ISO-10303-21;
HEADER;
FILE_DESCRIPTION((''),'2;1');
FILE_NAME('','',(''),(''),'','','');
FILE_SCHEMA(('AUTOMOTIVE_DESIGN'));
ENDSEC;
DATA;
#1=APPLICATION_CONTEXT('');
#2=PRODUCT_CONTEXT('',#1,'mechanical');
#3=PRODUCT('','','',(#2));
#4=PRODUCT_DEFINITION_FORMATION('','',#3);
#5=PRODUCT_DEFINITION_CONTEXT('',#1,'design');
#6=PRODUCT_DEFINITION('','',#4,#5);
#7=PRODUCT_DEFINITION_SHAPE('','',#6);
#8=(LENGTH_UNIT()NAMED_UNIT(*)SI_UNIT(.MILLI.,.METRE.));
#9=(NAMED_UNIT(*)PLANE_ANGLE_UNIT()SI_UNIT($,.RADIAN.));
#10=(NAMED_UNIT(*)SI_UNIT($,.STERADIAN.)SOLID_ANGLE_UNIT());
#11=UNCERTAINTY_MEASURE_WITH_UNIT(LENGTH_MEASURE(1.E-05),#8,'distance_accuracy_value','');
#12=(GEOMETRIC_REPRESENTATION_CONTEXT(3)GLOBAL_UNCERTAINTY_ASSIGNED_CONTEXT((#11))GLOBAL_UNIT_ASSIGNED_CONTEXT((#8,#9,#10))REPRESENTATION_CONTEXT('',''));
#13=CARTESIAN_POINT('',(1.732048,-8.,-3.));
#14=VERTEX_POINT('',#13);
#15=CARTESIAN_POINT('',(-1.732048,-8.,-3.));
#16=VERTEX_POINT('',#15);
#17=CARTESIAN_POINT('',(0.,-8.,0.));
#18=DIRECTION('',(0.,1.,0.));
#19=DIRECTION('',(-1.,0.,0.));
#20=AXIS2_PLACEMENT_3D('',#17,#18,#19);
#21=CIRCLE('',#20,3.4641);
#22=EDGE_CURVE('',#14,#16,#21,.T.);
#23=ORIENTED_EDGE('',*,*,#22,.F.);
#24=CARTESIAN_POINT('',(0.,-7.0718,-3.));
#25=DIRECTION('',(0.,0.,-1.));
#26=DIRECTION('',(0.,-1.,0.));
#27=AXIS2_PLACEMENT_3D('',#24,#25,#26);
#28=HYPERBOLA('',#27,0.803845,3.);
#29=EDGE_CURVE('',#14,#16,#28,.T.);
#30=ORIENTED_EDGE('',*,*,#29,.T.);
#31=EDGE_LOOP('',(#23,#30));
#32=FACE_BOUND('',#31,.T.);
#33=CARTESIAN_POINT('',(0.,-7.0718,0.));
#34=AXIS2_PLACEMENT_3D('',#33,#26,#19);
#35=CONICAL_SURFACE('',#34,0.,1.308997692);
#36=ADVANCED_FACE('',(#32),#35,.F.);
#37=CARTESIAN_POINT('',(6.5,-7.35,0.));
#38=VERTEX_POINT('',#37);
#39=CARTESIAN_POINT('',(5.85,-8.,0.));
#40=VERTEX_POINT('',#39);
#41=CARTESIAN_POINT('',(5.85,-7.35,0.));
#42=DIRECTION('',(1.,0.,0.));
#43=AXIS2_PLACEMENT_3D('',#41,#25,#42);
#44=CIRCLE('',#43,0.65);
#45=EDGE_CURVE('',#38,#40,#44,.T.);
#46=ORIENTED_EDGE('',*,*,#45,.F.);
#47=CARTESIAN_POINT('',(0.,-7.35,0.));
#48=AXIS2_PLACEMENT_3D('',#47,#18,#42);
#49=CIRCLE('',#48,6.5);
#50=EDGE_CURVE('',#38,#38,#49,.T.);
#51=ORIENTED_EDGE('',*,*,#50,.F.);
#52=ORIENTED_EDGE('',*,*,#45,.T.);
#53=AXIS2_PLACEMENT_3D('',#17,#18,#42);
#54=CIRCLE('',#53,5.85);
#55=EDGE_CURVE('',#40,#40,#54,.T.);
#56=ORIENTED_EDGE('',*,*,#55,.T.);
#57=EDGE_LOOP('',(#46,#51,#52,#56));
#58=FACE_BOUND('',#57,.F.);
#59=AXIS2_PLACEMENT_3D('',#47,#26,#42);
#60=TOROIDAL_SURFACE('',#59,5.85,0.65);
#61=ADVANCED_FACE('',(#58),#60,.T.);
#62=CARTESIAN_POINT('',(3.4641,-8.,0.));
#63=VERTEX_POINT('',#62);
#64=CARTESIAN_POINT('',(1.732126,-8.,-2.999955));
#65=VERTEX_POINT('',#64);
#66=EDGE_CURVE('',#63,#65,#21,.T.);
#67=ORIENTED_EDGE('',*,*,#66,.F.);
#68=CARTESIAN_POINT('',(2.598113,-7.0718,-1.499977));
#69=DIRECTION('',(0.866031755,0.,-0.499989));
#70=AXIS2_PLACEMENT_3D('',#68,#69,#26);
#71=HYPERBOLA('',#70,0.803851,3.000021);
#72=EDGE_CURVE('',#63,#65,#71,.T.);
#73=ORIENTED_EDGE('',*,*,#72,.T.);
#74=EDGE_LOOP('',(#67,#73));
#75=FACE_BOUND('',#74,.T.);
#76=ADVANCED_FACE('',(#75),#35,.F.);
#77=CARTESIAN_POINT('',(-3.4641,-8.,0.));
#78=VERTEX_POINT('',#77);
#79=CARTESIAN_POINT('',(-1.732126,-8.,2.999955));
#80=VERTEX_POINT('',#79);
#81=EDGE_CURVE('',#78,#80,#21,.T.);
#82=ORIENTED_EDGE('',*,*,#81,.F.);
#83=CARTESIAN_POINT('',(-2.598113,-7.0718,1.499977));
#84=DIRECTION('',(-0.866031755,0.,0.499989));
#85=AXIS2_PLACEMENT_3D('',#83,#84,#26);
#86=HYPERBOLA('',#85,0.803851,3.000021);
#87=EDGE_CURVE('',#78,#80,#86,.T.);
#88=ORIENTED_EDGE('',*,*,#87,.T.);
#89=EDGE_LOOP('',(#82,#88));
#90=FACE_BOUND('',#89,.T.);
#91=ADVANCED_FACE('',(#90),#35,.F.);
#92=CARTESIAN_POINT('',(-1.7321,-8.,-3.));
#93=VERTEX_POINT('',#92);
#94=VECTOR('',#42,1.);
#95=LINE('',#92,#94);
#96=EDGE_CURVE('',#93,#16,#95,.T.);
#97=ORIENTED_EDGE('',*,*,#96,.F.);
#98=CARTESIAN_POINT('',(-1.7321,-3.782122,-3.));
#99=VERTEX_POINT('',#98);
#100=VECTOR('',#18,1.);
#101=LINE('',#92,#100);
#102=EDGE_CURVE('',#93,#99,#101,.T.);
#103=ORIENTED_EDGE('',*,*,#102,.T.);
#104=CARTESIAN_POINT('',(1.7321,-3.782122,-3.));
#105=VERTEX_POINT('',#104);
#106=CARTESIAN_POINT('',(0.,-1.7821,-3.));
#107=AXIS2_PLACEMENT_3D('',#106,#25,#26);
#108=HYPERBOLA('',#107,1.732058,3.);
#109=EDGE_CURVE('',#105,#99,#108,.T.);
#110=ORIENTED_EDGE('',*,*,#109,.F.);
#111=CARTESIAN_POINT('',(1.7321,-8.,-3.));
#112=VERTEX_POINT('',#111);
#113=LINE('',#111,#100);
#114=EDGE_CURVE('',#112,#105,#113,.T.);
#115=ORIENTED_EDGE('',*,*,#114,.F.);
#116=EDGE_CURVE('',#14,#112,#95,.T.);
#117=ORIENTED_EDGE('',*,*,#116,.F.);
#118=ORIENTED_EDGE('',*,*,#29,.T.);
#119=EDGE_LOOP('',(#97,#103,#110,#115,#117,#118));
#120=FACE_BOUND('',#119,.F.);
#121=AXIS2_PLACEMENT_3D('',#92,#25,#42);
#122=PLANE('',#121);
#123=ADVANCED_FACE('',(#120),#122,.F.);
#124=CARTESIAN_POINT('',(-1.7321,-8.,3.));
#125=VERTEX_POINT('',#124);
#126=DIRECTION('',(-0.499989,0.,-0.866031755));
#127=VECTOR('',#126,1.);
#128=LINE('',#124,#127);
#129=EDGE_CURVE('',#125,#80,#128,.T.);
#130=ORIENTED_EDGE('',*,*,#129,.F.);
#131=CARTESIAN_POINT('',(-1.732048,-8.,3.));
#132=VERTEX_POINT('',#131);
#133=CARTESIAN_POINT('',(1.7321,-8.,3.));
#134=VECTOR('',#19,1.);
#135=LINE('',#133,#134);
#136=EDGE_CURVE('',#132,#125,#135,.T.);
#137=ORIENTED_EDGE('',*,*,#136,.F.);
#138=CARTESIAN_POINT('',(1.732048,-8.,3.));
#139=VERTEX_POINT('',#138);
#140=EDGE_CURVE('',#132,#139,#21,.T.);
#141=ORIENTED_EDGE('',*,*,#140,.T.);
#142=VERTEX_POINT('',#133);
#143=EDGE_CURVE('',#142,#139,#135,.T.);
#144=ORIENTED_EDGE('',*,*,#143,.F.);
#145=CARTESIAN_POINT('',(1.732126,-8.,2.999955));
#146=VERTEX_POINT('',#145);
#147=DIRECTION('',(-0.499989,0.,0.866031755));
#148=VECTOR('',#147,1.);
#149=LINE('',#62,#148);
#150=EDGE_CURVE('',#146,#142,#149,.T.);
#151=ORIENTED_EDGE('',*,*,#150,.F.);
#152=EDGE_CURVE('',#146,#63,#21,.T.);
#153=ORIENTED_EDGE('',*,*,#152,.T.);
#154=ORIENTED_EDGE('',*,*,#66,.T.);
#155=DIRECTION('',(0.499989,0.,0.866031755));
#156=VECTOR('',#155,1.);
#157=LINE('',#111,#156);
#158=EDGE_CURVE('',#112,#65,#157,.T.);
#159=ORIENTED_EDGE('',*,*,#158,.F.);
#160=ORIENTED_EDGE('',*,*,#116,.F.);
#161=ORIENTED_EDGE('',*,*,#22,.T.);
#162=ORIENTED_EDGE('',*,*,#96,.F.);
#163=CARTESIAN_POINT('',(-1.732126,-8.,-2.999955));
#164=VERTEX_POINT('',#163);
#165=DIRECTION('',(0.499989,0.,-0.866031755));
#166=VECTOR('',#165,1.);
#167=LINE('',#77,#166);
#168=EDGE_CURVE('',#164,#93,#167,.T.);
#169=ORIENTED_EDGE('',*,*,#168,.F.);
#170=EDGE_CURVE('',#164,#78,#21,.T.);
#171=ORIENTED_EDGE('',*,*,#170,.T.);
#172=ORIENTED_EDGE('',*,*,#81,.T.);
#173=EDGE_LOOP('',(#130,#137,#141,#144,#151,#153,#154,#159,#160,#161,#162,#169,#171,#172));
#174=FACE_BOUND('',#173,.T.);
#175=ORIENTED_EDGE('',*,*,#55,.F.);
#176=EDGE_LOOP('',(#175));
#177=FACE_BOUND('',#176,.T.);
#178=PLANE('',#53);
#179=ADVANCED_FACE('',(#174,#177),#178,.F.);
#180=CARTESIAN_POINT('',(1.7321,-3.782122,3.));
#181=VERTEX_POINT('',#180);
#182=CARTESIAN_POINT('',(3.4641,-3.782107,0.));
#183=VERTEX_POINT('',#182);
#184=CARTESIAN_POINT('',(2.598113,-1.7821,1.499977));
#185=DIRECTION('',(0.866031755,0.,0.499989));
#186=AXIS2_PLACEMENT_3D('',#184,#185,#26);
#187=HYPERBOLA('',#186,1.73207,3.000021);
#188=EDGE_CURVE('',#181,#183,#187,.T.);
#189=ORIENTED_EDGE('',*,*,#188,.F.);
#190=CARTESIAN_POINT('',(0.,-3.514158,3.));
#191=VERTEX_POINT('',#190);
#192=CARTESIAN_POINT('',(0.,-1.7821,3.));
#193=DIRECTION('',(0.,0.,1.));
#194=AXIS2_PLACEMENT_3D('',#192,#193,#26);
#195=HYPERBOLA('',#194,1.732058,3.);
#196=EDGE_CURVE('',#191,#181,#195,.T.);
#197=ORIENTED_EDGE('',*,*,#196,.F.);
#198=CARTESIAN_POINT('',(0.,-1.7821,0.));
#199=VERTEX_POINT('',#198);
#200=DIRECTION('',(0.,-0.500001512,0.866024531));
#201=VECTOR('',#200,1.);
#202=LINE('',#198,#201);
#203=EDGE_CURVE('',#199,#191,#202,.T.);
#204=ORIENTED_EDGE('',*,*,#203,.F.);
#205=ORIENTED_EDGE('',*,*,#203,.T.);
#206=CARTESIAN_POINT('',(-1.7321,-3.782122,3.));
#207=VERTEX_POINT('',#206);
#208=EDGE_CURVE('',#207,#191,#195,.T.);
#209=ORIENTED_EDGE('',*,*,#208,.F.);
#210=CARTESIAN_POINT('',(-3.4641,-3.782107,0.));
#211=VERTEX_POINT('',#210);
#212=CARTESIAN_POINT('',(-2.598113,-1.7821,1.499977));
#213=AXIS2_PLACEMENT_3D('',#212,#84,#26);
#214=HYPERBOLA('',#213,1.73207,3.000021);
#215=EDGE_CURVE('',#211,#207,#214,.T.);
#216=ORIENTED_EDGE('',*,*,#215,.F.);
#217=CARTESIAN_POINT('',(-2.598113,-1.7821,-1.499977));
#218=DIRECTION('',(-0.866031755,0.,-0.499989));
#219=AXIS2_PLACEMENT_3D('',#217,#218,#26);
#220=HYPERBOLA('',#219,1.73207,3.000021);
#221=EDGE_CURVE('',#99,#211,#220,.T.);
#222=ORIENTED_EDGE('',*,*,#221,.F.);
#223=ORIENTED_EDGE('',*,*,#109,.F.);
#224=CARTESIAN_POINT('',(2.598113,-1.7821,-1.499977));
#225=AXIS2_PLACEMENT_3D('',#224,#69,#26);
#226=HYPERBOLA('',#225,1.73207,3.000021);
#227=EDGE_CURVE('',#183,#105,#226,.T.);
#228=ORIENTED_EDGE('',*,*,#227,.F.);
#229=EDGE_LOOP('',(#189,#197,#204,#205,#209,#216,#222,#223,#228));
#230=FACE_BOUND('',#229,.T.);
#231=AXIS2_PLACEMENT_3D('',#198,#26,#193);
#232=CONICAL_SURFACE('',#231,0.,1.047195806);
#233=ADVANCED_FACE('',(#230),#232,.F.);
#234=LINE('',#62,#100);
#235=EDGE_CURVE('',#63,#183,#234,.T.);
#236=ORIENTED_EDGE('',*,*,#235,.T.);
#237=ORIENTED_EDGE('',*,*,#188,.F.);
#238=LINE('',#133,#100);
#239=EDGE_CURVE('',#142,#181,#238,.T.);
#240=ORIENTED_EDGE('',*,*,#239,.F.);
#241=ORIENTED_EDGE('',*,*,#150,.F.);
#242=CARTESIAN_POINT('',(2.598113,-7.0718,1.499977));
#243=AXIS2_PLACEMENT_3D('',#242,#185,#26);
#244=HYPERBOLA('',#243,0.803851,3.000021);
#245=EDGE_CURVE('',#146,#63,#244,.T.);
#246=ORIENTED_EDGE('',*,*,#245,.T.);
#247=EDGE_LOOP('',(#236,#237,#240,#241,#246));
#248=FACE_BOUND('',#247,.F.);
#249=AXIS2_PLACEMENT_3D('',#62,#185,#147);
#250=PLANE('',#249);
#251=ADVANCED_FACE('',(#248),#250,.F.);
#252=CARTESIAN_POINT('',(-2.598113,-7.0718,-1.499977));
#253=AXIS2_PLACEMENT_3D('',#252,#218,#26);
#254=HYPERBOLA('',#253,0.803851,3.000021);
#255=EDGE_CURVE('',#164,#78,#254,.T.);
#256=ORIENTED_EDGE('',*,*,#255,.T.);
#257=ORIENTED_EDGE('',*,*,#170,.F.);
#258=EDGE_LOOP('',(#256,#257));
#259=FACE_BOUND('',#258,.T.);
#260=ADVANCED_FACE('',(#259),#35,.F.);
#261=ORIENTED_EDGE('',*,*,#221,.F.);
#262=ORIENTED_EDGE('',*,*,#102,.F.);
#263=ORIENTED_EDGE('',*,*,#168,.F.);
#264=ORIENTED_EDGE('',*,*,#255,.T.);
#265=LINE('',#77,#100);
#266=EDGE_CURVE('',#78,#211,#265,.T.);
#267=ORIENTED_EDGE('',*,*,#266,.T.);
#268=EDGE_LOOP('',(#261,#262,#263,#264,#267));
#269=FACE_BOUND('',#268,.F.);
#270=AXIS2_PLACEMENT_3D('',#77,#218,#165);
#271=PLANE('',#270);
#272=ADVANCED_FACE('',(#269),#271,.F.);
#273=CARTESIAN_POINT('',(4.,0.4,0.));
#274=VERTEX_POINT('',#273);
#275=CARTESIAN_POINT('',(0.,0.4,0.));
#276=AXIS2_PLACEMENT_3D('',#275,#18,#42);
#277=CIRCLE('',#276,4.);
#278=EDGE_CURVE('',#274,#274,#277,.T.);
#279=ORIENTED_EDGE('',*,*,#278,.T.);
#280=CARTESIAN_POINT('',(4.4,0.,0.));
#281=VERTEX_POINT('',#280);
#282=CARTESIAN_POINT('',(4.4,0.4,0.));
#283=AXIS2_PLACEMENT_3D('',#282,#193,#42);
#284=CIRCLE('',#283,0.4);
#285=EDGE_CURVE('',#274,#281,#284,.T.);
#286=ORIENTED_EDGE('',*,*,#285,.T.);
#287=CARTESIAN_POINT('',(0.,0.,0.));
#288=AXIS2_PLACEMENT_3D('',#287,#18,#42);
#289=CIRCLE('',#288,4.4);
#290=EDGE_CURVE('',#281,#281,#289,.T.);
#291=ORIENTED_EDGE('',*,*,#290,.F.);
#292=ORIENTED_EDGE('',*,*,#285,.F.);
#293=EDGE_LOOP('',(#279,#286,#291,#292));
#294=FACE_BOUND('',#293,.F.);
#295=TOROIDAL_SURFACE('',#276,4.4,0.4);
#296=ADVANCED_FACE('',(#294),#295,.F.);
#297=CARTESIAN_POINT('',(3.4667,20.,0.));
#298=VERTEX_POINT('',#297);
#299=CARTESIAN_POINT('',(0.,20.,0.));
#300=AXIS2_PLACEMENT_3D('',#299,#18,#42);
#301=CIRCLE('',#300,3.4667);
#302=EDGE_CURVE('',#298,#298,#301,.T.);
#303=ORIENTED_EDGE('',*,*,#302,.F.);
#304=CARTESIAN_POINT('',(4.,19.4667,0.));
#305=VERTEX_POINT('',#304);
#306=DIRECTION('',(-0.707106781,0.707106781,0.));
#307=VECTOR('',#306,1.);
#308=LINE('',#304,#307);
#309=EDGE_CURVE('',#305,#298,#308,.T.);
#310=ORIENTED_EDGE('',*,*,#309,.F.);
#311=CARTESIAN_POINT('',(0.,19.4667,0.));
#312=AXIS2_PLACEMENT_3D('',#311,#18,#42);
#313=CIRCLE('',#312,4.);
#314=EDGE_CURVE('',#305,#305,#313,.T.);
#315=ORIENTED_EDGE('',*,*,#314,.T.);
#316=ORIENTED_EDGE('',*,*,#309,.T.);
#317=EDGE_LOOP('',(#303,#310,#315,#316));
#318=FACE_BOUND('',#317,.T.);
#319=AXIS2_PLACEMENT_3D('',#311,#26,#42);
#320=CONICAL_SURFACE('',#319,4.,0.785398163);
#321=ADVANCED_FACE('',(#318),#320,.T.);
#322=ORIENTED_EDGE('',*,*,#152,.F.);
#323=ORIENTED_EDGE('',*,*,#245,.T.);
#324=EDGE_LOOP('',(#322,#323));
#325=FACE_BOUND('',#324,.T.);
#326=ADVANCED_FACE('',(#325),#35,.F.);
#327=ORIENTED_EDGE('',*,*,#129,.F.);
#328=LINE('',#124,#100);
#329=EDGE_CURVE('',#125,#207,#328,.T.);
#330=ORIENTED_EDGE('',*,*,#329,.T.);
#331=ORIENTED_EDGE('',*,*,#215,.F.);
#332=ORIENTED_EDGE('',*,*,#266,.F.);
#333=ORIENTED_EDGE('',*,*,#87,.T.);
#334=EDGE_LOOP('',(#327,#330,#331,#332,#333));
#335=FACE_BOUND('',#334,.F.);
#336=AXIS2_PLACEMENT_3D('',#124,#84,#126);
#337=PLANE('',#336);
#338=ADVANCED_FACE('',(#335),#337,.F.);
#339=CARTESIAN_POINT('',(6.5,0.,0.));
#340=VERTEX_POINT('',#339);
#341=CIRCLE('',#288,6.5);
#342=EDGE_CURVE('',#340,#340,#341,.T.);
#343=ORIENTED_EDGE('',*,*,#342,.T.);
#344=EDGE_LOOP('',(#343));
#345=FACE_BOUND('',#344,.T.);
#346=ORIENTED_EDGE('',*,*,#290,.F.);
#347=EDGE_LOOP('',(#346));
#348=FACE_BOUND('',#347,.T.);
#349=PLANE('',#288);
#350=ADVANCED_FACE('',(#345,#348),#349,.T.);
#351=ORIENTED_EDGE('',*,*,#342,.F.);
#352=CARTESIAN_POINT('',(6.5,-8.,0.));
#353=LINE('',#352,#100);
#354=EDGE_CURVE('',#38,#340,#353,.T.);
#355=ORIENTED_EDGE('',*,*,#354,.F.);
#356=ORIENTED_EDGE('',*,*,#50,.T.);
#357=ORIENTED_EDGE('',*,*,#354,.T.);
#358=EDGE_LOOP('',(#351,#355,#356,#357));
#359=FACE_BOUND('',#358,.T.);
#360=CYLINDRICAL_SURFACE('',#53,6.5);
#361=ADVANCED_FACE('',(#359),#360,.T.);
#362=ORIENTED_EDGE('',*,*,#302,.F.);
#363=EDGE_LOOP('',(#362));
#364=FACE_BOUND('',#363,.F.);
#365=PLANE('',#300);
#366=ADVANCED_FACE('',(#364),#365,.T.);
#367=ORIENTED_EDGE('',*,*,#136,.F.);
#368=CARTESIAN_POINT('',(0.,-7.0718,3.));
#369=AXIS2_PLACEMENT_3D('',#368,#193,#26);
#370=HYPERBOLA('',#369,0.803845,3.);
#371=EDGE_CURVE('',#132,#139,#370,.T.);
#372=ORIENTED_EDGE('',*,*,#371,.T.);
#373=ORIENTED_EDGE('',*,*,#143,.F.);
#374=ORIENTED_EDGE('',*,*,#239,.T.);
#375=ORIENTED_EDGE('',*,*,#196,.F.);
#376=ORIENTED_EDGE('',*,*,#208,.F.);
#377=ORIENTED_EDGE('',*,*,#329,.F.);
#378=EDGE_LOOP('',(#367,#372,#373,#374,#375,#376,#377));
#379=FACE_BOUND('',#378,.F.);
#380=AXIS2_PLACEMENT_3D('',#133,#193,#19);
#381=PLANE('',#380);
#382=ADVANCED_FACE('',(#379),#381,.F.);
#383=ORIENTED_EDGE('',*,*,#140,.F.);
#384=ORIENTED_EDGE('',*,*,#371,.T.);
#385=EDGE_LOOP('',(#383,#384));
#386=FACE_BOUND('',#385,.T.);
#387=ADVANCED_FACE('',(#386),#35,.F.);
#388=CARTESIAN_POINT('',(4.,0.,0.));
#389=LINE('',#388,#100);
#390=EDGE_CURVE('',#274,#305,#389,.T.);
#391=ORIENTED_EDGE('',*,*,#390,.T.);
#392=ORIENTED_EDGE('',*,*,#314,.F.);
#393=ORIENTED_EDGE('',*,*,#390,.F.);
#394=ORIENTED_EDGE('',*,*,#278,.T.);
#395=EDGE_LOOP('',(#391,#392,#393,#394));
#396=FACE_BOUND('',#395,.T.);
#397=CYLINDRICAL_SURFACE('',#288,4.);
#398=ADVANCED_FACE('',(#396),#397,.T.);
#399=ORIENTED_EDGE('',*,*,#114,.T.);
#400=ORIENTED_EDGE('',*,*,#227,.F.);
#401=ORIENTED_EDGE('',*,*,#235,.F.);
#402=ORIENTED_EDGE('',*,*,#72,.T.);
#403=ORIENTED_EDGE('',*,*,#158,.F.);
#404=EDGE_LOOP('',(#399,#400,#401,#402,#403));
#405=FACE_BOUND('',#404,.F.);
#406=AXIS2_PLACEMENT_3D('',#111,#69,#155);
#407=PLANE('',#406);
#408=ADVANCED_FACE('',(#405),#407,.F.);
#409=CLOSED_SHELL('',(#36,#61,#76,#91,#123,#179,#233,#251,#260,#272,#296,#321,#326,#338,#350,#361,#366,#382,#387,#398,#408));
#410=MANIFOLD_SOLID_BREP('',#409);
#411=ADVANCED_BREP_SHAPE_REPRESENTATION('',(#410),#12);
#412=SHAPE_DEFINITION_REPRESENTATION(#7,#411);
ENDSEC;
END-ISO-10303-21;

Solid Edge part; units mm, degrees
sketch "Sketch1" plane through (0, 0, 0) normal (0, 0, 1) x (1, 0, 0)
  line L0 (4, 0) -> (4, 20)
  line L1 (0, 20) -> (4, 20)
  line L2 (0, 0) -> (0, 20)
  line L3 (0, 0) -> (0, -8)
  line L4 (0, -8) -> (6.5, -8)
  line L5 (6.5, -8) -> (6.5, 0)
  line L6 (6.5, 0) -> (4, 0)
revolve "RevolvedProtrusion1" add sketch "Sketch1" angle 360 about axis through (0, 0, 0) along (0, 1, 0)
sketch "Sketch2" plane through (0, 0, 0) normal (1, 0, 0) x (0, 1, 0)
  line L0 (-8, 3.8415) -> (-4, 3.8415)
  line L1 (-1.7821, 0) -> (-4, 3.8415)
  line L2 (-8, 0) -> (-1.7821, 0)
  line L3 (-8, 0) -> (-8, 3.8415)
revolve "RevolvedCutout1" cut sketch "Sketch2" angle 360 about axis through (0, -4.5, 0) along (0, 1, 0)
sketch "Sketch3" plane through (0, -8, 0) normal (0, -1, 0) x (0, 0, 1)
  circle A0 centre (0, 0) radius 3.8415
  line L0 (-3, -1.7321) -> (0, -3.4641)
  line L1 (0, -3.4641) -> (3, -1.7321)
  line L2 (3, -1.7321) -> (3, 1.7321)
  line L3 (3, 1.7321) -> (0, 3.4641)
  line L4 (0, 3.4641) -> (-3, 1.7321)
  line L5 (-3, 1.7321) -> (-3, -1.7321)
  dimension "D1" = 6
extrude "Protrusion1" add sketch "Sketch3" against normal up to next
sketch "Sketch4" plane through (0, 0, 0) normal (0, 0, 1) x (1, 0, 0)
  line L0 (-3.4641, -8) -> (0, -8)
  line L1 (0, -8) -> (0, -7.0718)
  line L2 (0, -7.0718) -> (-3.4641, -8)
revolve "RevolvedCutout2" cut sketch "Sketch4" angle 360 about axis through (0, -4.5, 0) along (0, 1, 0)
fillet "Round1" radius 0.4 1 edges at (0, 0, -4)
fillet "Round2" radius 0.65 1 edges at (0, -8, -6.5)
chamfer "倒斜角_2" distance 0.5333 angle 45 1 edges at (0, 20, -4)
cosmetic_thread "螺纹_3" size "M8" thread depth 16
